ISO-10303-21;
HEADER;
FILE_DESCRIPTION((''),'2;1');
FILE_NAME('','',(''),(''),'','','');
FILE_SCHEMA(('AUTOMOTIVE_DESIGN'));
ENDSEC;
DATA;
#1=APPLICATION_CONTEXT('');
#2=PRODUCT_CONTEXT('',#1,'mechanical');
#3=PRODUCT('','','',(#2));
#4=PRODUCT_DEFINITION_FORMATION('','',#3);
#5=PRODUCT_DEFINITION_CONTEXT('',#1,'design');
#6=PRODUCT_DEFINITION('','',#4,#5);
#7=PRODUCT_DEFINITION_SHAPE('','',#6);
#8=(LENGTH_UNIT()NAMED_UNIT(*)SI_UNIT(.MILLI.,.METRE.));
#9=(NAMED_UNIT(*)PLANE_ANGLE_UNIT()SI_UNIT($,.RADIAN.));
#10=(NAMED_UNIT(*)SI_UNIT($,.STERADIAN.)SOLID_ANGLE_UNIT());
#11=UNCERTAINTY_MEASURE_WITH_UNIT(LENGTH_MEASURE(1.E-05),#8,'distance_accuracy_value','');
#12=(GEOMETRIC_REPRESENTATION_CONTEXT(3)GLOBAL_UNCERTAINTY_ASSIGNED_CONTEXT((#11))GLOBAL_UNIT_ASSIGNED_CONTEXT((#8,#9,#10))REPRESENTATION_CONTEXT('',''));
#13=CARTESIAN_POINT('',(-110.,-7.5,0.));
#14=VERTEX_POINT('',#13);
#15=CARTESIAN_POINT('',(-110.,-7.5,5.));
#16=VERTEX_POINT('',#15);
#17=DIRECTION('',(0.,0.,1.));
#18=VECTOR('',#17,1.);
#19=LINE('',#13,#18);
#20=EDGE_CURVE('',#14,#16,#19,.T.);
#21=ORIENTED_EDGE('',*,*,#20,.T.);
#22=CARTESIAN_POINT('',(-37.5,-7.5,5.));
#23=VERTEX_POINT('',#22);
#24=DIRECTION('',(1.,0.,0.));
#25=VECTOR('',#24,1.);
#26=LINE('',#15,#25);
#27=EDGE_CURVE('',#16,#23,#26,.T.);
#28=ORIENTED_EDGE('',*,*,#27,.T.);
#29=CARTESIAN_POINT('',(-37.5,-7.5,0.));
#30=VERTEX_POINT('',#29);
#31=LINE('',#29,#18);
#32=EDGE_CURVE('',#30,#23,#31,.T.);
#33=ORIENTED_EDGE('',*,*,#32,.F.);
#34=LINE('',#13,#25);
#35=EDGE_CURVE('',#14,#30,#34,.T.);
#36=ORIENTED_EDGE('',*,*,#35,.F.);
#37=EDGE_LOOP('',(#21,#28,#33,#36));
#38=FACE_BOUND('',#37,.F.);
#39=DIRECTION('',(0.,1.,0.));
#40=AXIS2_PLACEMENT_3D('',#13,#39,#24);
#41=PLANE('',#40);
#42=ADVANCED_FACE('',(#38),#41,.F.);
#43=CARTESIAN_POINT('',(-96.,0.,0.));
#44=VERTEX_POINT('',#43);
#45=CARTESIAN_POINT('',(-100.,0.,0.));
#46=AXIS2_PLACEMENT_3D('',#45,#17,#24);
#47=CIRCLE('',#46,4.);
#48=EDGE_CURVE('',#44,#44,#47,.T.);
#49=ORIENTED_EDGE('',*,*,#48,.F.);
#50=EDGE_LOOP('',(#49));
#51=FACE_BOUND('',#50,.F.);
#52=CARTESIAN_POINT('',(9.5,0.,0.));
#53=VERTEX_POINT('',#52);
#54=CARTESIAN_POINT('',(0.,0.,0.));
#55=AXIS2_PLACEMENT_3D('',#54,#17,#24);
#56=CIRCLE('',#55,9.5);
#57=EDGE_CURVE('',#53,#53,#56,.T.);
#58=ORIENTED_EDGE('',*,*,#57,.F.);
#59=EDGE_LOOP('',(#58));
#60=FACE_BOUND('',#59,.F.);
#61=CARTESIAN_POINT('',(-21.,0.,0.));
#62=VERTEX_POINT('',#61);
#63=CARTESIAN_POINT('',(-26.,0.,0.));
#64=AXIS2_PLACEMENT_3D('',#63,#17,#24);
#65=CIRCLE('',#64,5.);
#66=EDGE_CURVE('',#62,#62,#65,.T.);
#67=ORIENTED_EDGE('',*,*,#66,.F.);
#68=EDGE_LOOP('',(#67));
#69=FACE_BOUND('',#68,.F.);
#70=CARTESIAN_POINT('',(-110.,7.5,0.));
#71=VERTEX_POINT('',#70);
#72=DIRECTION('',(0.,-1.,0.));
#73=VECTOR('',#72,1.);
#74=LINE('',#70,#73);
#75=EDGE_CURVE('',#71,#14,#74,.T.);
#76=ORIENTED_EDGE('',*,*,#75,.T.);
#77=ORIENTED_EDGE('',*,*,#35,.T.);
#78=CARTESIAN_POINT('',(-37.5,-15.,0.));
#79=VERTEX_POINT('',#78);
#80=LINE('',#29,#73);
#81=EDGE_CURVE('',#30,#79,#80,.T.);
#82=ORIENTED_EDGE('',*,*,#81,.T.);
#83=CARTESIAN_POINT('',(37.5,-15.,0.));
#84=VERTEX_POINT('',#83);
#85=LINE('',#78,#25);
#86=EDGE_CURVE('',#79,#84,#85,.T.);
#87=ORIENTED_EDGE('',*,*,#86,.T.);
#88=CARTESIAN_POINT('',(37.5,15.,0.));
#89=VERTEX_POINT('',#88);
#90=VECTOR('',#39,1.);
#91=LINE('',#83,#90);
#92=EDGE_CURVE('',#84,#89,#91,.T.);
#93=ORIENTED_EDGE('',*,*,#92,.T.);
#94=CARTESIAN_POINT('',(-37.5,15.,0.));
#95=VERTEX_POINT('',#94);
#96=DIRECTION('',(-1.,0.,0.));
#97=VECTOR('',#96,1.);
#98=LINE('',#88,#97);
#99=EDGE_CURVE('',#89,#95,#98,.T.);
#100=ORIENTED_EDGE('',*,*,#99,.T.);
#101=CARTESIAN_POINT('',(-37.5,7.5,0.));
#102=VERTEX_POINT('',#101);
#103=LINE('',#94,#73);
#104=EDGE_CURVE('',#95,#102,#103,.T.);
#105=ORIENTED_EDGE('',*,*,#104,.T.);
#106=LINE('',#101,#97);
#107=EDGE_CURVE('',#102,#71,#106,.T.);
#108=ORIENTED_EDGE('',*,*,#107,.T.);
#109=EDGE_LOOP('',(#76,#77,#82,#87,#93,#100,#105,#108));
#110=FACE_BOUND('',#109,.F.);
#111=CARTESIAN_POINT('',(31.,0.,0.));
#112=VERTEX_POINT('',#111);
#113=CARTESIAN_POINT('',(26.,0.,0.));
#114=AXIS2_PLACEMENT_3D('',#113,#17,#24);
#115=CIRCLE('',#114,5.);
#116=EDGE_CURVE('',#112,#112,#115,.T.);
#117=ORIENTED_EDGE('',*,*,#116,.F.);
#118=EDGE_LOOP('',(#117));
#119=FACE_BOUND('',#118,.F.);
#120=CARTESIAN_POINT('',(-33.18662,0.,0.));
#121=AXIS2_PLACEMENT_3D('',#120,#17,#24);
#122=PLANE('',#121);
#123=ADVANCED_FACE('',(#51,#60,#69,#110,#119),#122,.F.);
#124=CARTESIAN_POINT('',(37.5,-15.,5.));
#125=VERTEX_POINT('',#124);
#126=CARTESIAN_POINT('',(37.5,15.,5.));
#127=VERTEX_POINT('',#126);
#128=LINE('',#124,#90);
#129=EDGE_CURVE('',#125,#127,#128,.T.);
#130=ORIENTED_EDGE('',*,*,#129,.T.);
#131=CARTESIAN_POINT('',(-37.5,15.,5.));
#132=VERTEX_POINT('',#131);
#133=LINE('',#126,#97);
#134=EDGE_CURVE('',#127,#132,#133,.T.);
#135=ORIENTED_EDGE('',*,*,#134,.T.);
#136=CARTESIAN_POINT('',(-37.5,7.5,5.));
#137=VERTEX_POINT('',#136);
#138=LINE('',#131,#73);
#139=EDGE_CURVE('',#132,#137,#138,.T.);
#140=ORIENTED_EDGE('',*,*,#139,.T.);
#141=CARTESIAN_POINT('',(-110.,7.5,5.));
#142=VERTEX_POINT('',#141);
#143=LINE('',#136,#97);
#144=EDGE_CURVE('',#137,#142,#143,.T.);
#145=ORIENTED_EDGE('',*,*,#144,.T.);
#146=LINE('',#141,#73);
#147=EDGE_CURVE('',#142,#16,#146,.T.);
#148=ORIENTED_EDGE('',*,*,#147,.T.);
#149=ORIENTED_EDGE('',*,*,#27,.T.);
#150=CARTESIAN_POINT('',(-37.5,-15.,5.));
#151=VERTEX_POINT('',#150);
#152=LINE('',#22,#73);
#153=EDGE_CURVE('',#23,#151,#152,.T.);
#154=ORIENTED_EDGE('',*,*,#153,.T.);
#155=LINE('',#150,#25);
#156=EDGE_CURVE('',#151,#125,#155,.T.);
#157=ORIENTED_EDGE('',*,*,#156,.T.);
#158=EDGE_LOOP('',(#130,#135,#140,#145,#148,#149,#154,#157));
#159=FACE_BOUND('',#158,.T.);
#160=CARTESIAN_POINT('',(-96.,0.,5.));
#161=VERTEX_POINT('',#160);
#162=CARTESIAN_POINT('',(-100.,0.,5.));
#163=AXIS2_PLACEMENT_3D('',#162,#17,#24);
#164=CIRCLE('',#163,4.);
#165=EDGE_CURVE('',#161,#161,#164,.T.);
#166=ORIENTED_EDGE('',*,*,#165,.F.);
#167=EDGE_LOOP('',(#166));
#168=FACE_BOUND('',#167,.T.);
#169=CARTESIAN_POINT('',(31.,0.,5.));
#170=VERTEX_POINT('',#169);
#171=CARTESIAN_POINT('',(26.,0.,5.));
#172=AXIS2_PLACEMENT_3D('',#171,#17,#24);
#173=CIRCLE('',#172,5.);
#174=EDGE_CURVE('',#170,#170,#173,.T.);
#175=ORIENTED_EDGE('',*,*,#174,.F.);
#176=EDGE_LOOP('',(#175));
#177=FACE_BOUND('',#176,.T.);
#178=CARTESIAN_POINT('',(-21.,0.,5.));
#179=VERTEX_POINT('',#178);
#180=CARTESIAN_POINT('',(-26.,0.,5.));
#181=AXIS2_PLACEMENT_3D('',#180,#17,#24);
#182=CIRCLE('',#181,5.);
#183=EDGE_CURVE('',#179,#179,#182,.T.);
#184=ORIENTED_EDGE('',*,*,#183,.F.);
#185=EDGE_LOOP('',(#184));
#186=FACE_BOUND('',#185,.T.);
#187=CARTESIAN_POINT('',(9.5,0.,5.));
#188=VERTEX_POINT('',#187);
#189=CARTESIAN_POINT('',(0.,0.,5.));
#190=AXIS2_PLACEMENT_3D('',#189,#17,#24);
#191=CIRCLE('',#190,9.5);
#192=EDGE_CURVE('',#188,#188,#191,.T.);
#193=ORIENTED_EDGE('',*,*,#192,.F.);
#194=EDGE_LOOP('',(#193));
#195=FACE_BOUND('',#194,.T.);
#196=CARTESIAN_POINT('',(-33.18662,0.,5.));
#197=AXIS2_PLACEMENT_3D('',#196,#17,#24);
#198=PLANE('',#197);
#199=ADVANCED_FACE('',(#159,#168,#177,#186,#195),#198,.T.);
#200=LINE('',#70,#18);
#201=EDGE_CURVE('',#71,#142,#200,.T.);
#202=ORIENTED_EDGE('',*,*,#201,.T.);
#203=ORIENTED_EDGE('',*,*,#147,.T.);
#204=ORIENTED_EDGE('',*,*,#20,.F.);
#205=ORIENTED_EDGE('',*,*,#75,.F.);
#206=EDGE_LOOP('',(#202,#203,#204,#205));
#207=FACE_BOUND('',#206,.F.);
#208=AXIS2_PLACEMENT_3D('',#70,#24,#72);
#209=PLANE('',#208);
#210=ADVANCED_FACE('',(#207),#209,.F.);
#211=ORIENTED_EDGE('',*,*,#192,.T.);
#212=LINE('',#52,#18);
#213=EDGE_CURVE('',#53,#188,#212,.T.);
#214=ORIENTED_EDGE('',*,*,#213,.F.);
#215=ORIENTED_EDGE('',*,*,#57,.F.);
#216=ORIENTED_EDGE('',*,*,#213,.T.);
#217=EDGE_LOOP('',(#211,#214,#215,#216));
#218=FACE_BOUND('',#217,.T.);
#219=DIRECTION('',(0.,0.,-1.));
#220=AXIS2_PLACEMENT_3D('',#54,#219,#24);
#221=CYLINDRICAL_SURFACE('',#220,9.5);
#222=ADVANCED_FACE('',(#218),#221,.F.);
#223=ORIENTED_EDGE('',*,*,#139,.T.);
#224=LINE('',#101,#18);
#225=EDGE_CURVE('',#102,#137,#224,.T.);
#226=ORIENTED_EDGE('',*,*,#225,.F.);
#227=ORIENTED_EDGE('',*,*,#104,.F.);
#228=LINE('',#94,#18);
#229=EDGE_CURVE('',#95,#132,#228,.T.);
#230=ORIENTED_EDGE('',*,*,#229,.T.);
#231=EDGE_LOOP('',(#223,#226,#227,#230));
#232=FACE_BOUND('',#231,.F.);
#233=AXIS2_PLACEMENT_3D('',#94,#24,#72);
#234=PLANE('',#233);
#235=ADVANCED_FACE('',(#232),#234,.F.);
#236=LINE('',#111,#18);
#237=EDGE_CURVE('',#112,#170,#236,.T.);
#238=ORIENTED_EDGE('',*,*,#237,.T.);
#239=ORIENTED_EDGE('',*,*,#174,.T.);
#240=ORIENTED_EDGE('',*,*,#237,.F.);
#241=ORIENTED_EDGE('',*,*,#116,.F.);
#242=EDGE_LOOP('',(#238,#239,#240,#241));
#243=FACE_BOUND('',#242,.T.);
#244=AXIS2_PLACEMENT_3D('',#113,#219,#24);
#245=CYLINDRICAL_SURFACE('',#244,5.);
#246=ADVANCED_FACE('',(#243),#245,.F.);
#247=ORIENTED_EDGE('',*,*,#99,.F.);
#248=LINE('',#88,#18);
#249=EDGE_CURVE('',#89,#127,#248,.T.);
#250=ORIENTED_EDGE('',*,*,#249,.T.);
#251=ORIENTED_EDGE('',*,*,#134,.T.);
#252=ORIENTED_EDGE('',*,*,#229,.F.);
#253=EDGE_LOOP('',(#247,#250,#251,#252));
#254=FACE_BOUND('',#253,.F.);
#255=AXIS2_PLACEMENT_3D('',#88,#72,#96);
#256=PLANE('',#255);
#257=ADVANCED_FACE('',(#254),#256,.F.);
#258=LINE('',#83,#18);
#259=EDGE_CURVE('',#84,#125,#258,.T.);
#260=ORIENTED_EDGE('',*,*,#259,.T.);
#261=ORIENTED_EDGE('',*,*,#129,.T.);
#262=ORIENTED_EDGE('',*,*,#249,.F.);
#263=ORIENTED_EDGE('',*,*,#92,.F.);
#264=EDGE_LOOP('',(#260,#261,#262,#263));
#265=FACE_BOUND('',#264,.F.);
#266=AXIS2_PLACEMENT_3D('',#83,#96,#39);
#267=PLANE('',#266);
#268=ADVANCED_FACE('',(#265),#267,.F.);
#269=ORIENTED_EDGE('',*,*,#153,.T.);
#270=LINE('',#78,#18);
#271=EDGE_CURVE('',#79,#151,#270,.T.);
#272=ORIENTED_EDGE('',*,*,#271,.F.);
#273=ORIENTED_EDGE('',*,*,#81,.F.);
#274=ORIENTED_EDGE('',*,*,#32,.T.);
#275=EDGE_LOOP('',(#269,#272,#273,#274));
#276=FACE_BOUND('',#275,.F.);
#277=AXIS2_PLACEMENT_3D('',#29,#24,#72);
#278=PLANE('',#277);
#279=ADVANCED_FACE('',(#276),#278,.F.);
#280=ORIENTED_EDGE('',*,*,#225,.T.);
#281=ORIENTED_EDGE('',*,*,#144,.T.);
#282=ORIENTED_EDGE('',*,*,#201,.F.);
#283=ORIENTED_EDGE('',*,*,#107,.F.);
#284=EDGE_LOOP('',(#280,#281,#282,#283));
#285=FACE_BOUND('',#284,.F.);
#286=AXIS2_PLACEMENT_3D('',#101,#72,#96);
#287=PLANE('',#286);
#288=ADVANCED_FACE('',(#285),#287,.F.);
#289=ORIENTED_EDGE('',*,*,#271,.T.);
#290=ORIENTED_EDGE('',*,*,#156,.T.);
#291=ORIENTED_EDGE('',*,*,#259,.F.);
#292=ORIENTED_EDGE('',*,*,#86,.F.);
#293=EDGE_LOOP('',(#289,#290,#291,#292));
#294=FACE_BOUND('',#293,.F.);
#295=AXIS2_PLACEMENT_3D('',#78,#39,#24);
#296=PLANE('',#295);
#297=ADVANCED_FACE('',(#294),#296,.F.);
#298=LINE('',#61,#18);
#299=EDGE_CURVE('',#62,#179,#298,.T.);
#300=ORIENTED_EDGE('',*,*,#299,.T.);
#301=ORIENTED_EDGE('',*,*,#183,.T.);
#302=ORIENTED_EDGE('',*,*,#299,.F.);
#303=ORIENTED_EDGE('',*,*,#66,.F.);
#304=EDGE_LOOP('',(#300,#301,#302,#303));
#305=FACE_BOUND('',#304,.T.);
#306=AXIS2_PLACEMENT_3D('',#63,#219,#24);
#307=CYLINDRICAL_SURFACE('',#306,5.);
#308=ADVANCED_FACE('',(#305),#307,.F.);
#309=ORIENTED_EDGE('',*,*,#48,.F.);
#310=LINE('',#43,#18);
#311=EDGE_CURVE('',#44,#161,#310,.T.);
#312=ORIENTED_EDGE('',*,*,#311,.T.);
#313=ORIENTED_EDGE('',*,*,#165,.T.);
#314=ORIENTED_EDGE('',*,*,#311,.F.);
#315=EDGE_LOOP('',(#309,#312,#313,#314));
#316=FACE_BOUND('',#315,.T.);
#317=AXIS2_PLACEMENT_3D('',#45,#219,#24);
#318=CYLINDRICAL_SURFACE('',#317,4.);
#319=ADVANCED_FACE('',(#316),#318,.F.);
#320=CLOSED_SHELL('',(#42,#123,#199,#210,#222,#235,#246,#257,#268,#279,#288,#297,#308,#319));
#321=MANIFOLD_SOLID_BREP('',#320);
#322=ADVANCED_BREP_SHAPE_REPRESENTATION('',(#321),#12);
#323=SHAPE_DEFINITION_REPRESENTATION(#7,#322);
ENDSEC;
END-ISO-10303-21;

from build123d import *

# Parameters (mm, degrees)
F0_R     = 4
F0_R_2   = 5
F0_R_3   = 9.5
F1_DEPTH = 5


with BuildPart() as f1:
    # F0 (on Top) → F1 (new body)
    with BuildSketch(Plane.XY):
        Polygon((37.5, 15), (-37.5, 15), (-37.5, 7.5), (-110, 7.5), (-110, -7.5), (-37.5, -7.5), (-37.5, -15), (37.5, -15), (37.5, 0), align=None)
        with Locations((-100, 0)):
            Circle(F0_R, mode=Mode.SUBTRACT)
        with Locations((-26, 0)):
            Circle(F0_R_2, mode=Mode.SUBTRACT)
        Circle(F0_R_3, mode=Mode.SUBTRACT)
        with Locations((26, 0)):
            Circle(F0_R_2, mode=Mode.SUBTRACT)
    extrude(amount=F1_DEPTH)


solid = f1.part
